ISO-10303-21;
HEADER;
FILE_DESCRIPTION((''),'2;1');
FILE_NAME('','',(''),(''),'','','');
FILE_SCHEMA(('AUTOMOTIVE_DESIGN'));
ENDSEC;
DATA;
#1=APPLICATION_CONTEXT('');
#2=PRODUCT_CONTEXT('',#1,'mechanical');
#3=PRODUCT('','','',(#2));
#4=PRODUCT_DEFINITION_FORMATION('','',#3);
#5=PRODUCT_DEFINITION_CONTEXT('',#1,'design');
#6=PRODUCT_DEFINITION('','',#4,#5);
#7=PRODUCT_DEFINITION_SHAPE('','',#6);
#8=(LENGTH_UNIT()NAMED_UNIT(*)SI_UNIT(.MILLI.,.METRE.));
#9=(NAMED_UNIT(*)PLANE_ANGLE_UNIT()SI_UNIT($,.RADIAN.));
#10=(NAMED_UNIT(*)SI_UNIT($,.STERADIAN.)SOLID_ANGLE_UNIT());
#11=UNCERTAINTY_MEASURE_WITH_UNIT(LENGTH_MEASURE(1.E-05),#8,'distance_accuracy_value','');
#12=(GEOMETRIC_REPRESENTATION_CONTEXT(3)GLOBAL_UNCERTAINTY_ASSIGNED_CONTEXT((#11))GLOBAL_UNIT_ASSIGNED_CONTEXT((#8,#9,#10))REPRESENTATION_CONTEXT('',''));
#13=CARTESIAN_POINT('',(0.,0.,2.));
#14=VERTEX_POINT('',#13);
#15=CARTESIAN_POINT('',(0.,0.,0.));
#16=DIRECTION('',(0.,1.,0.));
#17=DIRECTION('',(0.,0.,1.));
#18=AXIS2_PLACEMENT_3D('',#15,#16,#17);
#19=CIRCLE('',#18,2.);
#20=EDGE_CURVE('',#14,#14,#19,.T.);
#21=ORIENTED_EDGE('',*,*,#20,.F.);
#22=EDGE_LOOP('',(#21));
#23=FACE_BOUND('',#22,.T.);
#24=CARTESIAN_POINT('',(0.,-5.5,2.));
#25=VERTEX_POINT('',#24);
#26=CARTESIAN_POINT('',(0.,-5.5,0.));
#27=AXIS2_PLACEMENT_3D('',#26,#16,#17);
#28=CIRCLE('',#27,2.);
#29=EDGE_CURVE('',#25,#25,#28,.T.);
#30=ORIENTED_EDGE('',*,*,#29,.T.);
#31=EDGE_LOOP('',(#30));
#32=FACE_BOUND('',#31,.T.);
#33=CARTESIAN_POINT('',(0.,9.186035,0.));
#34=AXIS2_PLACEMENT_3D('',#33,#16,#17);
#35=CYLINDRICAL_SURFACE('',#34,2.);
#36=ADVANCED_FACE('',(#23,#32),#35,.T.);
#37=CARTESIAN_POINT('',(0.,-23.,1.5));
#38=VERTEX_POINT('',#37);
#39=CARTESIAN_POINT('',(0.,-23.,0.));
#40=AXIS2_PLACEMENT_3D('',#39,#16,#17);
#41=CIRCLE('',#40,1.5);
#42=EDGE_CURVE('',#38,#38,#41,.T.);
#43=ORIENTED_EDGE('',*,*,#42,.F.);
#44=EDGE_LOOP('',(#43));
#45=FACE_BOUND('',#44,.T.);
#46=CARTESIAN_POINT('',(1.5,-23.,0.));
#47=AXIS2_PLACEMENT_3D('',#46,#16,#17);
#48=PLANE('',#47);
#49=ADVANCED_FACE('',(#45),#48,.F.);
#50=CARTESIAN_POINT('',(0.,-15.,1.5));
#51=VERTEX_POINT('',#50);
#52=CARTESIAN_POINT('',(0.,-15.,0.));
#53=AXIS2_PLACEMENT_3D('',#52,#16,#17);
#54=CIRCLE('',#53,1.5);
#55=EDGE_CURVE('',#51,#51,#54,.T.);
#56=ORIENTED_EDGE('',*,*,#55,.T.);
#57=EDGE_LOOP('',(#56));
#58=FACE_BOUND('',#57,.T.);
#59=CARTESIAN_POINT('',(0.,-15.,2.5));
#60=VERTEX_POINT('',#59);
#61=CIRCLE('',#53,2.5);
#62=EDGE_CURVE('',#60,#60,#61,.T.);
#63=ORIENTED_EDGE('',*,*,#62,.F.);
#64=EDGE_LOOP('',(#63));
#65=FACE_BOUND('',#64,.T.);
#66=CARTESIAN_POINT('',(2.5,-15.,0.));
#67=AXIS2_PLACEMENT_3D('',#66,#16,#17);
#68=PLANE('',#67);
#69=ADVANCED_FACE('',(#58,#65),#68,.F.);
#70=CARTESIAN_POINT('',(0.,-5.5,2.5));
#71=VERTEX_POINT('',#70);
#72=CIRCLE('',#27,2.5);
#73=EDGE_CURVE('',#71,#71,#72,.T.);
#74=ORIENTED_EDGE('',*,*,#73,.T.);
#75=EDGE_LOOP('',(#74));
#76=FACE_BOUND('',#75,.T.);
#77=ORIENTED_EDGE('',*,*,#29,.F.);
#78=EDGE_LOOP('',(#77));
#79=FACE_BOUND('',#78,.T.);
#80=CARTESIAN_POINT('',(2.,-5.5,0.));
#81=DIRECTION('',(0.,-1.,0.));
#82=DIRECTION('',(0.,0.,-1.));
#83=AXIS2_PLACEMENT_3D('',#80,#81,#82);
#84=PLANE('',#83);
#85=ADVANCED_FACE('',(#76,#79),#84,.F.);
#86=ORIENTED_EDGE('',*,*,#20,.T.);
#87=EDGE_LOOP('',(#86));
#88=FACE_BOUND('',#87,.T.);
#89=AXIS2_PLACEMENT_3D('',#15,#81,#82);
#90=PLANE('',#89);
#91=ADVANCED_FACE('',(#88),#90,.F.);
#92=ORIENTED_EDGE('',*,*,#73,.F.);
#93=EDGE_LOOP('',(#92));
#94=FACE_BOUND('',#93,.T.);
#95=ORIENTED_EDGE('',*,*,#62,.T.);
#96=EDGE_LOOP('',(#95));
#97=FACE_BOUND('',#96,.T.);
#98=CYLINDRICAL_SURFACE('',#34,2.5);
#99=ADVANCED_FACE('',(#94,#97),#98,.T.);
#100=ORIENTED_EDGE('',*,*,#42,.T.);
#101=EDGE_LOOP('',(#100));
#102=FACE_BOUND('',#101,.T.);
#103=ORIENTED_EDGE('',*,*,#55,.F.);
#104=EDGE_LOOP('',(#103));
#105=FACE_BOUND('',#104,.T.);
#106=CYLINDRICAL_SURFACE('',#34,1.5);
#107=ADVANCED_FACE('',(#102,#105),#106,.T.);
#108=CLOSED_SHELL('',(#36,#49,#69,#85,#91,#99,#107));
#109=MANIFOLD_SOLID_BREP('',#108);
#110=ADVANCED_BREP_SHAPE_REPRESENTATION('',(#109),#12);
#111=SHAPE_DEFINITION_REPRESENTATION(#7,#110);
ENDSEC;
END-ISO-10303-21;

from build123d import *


with BuildPart() as part:
    # 草图1 → 旋转1 (revolve)
    with BuildSketch(Plane.XY):
        Polygon((0, 0), (2, 0), (2, -5.5), (2.5, -5.5), (2.5, -15), (1.5, -15), (1.5, -23), (0, -23), align=None)
    revolve(axis=Axis((0, 9.186035128, 0), (0, -1, 0)))


solid = part.part
